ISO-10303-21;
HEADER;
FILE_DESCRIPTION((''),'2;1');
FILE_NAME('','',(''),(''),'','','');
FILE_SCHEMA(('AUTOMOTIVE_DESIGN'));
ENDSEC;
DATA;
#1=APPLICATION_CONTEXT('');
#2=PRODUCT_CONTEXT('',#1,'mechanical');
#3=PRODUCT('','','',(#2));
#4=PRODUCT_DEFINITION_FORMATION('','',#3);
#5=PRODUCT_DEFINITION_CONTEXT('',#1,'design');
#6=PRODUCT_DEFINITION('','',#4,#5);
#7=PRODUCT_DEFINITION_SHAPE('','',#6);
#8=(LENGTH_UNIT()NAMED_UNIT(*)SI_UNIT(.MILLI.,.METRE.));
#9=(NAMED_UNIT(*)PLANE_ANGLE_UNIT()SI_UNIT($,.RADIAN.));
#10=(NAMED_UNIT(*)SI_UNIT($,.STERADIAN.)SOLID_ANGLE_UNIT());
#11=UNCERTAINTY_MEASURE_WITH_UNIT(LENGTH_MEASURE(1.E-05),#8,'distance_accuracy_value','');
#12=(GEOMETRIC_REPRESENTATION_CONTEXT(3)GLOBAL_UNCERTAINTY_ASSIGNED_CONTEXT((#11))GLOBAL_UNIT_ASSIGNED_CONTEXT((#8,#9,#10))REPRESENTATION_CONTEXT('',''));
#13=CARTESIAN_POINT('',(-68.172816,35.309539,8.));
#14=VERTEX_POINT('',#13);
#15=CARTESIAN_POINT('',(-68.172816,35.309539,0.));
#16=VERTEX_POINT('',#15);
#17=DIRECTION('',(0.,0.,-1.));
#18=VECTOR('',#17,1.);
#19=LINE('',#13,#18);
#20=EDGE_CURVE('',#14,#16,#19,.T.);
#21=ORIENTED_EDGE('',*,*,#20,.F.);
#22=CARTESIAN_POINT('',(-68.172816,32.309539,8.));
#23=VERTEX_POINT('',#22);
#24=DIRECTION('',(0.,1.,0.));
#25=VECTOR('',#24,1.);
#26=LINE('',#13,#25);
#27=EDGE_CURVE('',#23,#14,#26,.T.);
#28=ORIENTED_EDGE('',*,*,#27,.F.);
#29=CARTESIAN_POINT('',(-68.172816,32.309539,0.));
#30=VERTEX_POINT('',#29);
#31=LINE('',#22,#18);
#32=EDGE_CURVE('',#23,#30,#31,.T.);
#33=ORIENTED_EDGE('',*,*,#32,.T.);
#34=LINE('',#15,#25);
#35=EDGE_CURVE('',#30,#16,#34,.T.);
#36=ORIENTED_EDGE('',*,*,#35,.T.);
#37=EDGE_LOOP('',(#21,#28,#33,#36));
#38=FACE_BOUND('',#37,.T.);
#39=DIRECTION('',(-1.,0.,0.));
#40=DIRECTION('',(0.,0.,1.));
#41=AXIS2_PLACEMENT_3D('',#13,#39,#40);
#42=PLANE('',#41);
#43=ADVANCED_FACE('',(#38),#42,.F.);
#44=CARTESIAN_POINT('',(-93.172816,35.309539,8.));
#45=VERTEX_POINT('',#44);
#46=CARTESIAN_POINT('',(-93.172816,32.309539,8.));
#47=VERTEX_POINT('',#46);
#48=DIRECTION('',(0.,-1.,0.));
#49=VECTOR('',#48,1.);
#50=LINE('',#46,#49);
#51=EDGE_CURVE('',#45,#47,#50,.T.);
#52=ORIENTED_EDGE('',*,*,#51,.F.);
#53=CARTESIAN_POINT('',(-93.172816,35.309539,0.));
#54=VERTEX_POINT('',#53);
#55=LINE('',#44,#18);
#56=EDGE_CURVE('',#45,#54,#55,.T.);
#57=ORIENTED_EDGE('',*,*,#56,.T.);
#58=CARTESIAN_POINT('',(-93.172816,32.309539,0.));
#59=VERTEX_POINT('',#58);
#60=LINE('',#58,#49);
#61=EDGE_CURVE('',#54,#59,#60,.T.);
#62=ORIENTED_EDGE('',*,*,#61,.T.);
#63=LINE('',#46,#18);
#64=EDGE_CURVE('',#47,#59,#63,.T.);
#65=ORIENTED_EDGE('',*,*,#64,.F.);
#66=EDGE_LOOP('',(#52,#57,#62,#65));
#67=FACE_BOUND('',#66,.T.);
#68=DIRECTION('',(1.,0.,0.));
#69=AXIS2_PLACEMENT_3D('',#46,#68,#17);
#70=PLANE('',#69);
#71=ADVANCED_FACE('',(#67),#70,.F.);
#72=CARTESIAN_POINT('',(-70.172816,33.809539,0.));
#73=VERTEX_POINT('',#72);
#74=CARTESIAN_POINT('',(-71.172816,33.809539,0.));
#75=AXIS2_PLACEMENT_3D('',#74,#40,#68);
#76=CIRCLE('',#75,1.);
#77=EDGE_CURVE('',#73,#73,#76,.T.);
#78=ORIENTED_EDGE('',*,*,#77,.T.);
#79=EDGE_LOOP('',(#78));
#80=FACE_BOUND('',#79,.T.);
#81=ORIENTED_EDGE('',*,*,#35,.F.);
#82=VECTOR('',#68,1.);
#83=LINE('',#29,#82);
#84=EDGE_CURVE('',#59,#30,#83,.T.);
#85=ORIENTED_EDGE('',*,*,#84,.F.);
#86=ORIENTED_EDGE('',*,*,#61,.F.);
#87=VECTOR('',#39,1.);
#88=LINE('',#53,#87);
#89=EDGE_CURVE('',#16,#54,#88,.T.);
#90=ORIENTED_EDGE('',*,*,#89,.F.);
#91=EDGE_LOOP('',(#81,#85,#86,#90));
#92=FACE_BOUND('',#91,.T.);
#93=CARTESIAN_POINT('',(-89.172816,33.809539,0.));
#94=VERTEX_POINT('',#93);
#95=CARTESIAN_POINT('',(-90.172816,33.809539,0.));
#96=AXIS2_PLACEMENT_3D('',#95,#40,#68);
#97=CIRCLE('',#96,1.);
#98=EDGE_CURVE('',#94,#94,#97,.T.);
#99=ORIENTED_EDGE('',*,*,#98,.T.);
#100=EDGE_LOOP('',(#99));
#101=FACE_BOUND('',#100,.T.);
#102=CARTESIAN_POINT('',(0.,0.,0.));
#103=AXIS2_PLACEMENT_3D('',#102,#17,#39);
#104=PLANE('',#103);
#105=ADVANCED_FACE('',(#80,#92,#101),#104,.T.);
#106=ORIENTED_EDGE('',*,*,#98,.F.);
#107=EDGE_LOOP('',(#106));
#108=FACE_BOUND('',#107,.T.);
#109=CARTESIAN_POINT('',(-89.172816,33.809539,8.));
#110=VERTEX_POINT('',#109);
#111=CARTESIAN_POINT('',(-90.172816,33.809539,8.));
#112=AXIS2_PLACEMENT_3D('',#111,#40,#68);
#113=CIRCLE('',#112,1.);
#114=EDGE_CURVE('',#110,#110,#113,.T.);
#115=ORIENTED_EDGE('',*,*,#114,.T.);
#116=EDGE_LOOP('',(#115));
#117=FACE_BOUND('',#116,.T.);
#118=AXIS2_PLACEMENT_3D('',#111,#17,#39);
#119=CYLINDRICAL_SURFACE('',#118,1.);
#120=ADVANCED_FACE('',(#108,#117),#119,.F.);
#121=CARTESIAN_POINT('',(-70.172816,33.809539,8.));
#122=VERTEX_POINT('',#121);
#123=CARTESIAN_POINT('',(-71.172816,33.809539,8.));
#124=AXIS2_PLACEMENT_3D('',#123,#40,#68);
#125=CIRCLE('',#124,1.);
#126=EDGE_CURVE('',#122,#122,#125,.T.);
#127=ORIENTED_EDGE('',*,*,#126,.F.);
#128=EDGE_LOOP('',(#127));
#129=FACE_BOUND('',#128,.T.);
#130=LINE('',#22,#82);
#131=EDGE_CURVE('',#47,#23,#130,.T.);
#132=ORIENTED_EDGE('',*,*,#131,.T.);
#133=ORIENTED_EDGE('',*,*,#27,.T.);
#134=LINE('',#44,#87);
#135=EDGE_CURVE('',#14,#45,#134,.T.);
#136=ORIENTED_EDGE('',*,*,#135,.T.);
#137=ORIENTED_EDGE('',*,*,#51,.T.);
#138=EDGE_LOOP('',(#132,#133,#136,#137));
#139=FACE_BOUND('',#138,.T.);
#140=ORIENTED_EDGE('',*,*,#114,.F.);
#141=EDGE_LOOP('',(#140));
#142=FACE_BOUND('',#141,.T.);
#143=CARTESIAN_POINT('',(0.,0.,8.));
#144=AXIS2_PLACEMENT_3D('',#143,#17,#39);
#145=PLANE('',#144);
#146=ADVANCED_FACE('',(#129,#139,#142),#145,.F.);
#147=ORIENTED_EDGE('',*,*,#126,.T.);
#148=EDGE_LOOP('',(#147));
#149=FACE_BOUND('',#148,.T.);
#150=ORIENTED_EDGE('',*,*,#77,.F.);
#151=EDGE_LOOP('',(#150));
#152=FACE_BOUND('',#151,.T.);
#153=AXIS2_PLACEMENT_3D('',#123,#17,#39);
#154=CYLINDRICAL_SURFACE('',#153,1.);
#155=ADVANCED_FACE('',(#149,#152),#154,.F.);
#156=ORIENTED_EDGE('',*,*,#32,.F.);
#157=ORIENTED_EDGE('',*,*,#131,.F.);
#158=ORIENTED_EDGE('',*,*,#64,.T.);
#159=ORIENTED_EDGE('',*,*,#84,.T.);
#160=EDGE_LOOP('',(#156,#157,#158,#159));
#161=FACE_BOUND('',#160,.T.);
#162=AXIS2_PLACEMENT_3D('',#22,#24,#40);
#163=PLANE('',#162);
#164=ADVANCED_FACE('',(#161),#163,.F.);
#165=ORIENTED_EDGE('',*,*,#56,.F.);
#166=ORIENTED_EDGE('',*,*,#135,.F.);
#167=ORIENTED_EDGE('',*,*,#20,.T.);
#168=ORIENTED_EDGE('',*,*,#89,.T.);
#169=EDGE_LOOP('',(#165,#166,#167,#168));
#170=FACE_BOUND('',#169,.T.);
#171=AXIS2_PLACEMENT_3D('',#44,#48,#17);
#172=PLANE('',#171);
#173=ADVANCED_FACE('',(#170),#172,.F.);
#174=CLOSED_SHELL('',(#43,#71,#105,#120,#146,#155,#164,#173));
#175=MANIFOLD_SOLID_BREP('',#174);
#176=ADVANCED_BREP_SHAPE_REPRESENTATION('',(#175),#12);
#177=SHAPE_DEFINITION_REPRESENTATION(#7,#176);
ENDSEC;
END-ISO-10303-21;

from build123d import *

# Parameters (mm, degrees)
SKETCH1_W           = 25
SKETCH1_H           = 3
SKETCH1_R           = 1
BOSS_EXTRUDE1_DEPTH = 8


with BuildPart() as part:
    # Sketch1 → Boss-Extrude1 (new body)
    with BuildSketch(Plane.XY):
        with Locations((-80.672815681, 33.809539276)):
            Rectangle(SKETCH1_W, SKETCH1_H)
        with Locations((-90.172815681, 33.809539276)):
            Circle(SKETCH1_R, mode=Mode.SUBTRACT)
        with Locations((-71.172815681, 33.809539276)):
            Circle(SKETCH1_R, mode=Mode.SUBTRACT)
    extrude(amount=BOSS_EXTRUDE1_DEPTH)


solid = part.part
